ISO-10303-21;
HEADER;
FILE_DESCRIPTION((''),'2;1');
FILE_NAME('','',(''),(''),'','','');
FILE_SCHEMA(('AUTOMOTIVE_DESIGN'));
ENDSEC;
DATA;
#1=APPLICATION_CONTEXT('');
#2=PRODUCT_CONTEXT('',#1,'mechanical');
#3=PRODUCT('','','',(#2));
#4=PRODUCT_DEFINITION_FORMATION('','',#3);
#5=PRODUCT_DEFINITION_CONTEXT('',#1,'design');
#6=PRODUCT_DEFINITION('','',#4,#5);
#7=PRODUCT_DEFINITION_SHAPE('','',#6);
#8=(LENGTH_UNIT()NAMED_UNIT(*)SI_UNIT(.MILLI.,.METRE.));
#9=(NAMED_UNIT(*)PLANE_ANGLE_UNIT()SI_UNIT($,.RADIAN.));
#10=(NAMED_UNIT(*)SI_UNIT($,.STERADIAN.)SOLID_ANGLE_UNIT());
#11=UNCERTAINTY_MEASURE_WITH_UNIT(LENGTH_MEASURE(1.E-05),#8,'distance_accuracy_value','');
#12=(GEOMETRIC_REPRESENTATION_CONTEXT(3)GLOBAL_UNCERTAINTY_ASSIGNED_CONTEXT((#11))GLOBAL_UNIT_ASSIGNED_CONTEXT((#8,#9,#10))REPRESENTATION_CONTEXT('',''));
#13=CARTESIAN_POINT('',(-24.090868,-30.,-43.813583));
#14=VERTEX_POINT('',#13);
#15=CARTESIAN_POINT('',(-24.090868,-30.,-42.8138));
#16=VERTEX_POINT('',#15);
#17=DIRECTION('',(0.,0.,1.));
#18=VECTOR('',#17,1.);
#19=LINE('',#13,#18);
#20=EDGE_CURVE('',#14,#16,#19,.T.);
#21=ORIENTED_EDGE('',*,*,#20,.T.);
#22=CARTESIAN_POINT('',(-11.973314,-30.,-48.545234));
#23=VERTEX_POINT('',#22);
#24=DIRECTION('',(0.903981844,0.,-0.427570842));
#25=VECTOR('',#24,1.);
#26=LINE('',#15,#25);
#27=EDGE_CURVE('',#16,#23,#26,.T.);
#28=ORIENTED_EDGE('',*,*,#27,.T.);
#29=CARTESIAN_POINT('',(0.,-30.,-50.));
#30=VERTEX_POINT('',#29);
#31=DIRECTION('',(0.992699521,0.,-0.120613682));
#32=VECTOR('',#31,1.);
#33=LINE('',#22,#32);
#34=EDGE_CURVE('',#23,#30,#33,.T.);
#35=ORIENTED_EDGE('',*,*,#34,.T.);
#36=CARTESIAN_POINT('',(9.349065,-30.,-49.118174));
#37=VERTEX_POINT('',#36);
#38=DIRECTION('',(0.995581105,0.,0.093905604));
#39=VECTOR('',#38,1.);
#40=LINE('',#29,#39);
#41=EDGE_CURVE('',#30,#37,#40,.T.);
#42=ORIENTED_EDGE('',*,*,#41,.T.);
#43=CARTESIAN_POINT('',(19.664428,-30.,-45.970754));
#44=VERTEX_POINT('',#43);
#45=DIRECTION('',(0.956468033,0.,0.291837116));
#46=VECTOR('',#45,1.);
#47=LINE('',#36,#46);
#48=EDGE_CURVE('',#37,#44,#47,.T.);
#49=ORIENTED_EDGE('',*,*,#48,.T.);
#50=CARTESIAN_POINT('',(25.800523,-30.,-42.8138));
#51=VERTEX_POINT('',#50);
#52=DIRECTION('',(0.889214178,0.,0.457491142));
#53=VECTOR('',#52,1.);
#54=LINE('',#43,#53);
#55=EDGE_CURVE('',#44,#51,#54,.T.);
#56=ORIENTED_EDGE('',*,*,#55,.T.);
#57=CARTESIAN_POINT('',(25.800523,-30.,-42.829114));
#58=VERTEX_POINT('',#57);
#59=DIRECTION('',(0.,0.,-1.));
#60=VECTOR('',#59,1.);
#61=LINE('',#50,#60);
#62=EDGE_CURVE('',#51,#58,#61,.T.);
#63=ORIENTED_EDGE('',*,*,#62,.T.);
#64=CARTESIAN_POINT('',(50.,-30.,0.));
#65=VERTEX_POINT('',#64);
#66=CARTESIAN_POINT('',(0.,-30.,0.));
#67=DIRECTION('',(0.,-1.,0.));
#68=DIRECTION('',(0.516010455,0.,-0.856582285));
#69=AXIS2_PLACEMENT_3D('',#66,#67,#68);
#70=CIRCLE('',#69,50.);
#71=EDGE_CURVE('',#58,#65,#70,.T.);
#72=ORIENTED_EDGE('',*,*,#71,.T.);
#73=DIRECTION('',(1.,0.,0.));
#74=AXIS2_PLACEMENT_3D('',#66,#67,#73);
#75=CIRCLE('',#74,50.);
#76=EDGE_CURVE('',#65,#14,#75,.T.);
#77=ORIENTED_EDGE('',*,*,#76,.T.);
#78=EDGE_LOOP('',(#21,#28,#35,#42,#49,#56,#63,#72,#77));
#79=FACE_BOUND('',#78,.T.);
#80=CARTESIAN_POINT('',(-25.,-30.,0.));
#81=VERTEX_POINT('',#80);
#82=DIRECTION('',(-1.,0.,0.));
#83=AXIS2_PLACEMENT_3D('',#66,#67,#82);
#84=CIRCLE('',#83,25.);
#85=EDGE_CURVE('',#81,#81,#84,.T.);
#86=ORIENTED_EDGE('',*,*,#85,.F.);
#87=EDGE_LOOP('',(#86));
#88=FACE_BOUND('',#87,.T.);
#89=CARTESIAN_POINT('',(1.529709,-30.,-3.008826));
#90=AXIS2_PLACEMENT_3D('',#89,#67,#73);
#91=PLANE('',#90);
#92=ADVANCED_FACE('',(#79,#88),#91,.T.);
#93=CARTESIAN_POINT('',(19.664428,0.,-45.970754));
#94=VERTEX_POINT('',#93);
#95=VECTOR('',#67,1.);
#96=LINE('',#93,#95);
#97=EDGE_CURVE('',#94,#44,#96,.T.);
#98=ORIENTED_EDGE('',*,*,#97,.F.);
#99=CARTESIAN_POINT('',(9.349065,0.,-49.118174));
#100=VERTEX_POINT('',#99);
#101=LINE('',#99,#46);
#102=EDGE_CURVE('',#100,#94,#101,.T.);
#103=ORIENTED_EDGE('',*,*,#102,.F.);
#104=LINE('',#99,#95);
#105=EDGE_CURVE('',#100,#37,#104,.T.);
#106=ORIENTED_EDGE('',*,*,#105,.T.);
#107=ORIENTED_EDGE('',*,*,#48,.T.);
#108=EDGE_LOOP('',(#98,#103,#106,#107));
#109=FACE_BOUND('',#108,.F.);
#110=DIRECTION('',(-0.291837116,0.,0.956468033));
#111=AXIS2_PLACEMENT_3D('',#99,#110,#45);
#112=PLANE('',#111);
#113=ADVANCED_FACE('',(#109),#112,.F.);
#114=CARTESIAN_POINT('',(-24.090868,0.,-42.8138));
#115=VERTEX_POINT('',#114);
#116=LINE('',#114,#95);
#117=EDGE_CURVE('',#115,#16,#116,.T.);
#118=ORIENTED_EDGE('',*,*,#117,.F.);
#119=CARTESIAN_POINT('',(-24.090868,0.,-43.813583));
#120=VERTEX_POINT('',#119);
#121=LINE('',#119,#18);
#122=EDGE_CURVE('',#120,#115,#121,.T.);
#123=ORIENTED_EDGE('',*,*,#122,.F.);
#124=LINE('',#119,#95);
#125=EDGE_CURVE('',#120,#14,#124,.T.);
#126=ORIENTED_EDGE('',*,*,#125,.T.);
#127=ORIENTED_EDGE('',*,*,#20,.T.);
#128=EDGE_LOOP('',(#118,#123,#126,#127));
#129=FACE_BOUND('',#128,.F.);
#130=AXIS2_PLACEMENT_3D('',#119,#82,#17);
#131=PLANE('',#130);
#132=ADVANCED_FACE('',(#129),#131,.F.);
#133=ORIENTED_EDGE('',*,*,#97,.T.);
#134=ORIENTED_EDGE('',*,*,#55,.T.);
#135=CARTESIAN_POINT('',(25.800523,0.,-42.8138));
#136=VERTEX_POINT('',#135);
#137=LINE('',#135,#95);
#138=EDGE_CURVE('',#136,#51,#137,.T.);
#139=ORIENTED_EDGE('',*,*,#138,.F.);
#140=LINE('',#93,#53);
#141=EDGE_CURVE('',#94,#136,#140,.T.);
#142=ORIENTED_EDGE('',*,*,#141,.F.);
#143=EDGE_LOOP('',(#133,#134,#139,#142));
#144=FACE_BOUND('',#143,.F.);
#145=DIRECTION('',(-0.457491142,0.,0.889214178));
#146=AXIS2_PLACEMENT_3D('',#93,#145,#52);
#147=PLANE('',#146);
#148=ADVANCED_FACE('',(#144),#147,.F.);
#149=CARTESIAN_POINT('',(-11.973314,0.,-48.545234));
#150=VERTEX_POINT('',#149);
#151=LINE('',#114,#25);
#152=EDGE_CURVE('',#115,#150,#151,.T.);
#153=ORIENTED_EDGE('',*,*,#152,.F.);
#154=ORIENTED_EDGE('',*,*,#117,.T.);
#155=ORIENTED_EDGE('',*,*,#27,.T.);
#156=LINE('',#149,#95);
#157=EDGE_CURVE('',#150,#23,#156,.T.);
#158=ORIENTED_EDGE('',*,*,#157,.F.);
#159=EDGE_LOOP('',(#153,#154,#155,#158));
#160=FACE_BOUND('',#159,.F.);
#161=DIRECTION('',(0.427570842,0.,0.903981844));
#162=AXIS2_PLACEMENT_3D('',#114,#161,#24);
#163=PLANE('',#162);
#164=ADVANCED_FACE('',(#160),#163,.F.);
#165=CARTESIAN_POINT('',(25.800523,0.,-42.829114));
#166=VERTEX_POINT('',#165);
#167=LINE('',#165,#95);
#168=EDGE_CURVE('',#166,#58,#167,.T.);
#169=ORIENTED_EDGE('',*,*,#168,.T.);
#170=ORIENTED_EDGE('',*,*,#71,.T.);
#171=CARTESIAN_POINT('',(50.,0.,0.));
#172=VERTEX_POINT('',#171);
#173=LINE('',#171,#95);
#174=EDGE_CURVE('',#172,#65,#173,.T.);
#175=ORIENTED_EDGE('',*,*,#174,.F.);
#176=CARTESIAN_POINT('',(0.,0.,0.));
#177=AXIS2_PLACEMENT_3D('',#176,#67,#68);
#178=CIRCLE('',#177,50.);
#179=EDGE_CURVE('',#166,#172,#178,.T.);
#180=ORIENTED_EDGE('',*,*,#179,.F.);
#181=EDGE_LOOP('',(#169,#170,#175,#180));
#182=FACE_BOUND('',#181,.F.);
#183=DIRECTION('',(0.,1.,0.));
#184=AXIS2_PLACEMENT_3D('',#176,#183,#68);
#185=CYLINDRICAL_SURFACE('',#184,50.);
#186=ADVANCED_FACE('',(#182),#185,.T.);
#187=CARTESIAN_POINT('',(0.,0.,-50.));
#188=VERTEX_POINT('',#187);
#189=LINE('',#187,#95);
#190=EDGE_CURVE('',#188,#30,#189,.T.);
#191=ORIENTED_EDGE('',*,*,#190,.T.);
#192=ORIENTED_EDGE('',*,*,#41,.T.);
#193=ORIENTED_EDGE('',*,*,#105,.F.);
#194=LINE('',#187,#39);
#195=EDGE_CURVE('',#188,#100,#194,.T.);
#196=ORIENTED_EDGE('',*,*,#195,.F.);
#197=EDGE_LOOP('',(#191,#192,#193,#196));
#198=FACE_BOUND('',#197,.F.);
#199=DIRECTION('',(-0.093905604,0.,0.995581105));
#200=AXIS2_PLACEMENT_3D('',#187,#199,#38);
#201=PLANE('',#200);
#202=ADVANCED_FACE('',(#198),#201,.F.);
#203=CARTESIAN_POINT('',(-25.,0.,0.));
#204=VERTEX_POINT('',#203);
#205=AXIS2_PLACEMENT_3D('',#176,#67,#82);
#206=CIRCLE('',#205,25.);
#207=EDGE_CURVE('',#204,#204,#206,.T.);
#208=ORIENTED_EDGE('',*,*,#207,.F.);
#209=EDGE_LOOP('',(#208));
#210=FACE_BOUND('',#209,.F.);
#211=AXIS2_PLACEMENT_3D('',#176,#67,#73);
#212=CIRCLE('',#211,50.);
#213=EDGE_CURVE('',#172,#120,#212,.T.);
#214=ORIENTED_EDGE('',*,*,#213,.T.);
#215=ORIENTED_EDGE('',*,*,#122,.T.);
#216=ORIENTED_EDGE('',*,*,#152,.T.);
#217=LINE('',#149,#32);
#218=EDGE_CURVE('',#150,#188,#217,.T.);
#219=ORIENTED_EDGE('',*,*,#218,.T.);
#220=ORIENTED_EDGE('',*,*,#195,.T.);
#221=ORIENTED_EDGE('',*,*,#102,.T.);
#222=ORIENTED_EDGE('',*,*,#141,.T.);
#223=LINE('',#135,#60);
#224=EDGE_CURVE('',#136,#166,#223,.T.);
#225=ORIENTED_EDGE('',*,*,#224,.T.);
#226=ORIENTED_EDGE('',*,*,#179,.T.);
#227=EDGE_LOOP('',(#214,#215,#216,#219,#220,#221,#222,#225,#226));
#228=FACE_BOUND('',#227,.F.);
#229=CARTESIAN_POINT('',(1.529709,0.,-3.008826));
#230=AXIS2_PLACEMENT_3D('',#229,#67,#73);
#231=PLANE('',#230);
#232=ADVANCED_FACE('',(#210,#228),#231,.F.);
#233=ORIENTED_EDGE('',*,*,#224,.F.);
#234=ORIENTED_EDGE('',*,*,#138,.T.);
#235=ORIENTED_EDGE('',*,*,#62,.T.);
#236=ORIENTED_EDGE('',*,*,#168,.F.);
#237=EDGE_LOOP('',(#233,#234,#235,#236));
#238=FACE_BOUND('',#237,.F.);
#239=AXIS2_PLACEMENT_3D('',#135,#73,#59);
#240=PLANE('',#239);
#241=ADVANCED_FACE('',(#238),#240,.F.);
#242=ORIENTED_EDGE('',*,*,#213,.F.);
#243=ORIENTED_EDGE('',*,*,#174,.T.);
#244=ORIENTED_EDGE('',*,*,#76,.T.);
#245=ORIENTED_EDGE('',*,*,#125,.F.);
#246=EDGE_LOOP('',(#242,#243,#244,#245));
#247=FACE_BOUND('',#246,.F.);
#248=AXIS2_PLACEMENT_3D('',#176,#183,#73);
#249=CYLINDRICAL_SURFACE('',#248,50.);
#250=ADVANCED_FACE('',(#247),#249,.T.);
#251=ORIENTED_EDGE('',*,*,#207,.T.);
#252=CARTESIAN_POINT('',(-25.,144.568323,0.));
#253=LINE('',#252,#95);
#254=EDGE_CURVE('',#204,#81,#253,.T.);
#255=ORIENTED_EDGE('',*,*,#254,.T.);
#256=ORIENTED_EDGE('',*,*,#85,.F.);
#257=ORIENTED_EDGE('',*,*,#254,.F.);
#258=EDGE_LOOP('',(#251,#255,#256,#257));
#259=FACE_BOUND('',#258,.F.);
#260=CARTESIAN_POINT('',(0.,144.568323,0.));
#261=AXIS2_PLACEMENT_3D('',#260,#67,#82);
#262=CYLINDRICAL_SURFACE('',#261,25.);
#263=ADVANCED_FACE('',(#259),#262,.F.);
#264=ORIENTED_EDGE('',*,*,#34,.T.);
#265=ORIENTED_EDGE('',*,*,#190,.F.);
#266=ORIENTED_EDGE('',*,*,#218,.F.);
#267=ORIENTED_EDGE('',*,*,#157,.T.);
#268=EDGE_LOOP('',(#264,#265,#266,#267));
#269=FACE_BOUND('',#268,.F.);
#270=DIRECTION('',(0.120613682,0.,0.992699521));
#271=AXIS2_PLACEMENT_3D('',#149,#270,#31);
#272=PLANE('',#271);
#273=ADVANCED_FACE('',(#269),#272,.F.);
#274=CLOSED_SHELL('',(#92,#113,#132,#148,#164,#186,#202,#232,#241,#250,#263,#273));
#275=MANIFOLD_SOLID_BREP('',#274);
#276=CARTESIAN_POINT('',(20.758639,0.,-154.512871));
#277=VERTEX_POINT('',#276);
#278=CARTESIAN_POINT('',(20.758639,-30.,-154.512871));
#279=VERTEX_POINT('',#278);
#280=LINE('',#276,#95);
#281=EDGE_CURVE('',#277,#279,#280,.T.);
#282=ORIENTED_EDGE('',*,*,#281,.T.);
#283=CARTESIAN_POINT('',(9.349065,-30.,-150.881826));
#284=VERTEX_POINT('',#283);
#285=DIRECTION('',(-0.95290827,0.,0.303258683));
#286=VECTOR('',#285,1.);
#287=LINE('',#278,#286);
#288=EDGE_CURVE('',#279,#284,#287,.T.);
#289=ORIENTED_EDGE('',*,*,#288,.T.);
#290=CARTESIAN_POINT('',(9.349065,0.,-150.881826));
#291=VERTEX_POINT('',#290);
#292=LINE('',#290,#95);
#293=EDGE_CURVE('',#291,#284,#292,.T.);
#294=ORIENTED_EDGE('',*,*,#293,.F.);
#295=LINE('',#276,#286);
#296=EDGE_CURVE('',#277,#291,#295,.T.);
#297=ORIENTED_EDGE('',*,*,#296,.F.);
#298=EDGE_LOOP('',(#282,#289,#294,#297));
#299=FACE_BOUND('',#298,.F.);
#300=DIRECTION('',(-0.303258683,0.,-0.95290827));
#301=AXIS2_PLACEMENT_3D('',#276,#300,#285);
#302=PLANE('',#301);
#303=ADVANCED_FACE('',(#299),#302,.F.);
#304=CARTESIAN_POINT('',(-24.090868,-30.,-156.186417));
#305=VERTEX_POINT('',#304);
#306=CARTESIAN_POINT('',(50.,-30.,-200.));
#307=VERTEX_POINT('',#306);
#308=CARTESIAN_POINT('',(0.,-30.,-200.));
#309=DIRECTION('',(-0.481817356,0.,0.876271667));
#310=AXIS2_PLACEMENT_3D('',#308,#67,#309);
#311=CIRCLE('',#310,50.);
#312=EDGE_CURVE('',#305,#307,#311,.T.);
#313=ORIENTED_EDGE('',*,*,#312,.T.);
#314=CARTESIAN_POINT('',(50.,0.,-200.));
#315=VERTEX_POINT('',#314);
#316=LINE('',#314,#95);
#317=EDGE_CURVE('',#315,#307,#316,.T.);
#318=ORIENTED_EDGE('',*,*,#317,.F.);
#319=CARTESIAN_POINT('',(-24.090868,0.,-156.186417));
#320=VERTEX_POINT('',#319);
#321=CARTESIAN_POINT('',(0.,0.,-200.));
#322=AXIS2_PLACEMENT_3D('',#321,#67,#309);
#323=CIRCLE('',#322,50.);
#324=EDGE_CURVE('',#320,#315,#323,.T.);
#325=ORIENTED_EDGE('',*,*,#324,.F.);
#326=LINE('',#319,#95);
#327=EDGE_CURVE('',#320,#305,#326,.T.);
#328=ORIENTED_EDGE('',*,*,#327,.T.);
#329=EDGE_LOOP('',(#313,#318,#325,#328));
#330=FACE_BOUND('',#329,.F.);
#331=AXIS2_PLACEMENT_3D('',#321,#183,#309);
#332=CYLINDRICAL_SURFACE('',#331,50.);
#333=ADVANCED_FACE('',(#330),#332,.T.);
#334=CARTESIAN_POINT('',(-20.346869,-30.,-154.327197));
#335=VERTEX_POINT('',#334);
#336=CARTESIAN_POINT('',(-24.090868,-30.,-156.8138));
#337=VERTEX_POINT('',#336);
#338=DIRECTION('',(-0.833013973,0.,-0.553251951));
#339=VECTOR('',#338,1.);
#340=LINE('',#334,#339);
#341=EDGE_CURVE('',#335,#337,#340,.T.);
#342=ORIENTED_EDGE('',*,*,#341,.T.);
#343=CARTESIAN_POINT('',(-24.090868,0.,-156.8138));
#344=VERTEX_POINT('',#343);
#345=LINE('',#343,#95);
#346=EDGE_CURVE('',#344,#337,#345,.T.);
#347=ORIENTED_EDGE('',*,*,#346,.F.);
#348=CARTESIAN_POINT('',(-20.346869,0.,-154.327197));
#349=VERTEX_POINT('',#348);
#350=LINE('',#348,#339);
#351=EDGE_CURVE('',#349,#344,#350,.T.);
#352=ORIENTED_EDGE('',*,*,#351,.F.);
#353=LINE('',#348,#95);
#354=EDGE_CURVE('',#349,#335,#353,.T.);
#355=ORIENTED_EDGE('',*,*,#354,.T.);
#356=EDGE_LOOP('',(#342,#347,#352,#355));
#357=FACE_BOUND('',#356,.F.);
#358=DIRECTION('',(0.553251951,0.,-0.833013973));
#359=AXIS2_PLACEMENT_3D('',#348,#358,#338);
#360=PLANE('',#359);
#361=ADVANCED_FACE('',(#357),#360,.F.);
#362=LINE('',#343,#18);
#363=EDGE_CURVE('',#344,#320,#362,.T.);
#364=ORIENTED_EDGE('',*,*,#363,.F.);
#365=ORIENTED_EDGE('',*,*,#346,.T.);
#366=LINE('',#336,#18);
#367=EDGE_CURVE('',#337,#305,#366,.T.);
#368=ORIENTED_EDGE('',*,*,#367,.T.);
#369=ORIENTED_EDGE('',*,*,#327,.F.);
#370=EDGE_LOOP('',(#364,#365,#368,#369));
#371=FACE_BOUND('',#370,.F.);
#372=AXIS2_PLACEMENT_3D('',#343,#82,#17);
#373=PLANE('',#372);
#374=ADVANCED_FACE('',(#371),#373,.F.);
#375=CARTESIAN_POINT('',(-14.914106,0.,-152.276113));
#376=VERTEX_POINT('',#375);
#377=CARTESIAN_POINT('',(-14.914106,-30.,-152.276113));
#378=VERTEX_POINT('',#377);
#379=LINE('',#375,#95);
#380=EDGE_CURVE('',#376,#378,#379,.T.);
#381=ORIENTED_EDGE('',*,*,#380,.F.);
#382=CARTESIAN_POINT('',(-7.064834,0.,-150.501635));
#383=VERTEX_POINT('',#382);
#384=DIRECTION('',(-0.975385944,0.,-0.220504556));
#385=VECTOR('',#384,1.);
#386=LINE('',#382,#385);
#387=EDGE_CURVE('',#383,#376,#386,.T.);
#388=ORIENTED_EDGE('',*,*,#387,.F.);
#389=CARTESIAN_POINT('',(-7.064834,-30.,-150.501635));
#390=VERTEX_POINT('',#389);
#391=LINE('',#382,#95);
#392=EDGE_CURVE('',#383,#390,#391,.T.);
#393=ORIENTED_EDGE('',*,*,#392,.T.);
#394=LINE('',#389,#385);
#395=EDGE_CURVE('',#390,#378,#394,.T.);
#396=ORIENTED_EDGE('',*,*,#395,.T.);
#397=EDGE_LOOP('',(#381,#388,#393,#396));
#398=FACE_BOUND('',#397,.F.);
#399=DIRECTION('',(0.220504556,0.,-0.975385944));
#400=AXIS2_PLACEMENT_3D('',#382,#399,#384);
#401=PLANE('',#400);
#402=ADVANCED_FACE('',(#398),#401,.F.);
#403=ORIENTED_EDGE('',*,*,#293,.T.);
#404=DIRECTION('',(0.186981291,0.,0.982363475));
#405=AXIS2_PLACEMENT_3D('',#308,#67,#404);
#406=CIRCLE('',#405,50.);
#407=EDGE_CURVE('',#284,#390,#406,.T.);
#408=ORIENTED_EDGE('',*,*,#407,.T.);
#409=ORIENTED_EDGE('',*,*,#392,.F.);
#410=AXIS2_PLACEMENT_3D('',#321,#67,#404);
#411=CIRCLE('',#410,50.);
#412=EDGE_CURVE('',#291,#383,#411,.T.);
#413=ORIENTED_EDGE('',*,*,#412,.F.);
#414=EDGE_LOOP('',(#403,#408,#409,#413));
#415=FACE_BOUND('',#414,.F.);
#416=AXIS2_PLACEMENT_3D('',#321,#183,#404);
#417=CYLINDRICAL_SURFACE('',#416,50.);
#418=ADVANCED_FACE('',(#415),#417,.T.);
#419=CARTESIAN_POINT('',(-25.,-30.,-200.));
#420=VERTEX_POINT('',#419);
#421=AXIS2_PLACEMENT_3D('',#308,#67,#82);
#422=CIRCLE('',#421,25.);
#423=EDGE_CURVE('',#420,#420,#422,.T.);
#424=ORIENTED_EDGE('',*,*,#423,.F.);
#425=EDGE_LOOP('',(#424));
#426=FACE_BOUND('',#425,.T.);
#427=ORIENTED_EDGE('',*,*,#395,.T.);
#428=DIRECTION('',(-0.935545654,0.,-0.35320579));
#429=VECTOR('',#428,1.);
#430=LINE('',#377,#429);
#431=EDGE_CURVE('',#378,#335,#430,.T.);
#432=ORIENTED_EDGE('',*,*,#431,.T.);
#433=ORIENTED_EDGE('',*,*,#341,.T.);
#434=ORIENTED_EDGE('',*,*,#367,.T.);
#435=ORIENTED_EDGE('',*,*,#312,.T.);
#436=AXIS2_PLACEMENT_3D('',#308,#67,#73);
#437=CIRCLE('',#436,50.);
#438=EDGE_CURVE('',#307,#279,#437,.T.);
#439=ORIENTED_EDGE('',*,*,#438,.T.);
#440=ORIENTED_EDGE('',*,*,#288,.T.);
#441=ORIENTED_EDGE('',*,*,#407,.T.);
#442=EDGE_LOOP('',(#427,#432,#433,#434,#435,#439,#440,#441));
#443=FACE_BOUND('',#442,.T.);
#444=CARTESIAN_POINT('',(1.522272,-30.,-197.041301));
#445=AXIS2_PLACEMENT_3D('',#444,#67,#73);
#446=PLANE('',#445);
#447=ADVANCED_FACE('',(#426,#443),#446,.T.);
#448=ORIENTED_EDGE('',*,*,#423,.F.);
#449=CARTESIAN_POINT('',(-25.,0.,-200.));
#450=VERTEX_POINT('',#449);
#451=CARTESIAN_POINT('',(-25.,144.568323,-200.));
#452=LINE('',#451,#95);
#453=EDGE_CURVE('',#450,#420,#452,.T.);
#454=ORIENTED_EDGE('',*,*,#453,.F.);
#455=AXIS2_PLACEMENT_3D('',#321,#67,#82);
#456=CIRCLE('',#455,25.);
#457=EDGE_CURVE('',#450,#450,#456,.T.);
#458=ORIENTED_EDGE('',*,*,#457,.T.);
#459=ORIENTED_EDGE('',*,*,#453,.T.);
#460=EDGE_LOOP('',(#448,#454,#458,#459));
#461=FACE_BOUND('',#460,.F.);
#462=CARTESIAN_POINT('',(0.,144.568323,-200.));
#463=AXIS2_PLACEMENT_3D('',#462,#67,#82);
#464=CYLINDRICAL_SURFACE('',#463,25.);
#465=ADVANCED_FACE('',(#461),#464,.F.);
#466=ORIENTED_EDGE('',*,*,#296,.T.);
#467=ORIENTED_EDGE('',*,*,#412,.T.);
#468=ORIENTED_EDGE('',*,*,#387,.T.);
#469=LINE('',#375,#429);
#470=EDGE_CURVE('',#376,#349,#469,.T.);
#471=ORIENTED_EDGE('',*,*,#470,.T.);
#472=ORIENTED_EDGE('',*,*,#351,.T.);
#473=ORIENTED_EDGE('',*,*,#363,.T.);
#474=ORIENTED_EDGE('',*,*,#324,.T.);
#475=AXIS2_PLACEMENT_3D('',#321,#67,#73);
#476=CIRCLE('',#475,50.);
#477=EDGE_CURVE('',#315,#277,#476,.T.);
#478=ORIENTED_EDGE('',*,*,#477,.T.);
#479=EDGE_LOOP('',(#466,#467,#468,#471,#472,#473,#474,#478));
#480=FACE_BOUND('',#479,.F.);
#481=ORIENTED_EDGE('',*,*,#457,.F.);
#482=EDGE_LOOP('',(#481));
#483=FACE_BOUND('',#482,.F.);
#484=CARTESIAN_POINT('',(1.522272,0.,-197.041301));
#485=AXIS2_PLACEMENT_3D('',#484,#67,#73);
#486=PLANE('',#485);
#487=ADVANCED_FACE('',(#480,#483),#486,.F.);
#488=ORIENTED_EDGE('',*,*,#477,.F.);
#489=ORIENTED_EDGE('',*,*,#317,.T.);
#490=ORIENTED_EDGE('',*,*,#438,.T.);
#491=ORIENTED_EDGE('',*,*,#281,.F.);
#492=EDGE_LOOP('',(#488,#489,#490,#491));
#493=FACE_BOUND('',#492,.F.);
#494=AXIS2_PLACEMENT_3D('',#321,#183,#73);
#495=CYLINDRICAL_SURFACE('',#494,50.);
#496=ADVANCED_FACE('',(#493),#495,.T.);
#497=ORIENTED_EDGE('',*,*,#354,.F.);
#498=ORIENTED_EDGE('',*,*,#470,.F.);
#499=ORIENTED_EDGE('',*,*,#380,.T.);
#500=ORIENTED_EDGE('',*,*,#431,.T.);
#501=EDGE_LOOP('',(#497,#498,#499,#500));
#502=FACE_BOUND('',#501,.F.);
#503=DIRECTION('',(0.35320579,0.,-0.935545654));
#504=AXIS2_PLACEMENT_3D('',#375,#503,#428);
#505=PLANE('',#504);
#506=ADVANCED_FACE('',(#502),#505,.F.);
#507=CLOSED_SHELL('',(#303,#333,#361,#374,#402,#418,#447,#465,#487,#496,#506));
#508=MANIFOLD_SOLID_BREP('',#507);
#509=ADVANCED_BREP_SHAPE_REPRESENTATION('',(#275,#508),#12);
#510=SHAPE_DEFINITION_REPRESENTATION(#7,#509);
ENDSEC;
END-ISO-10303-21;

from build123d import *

# Parameters (mm, degrees)
F3_DEPTH = 30
F4_D     = 50
F4_2_D   = 50


with BuildPart() as f3:
    # F2 (on Front) → F3 (new body)
    with BuildSketch(Plane.XZ):
        with BuildLine():
            Line((-24.0908678128, -156.8137997318), (-24.0908678128, -156.1864166265))
            ThreePointArc((-24.0908678128, -156.1864166265), (-25.4505069631, -243.038026155), (50, -200))
            ThreePointArc((50, -200), (42.0590771407, -172.9623590142), (20.7586387969, -154.5128708831))
            Line((20.7586387969, -154.5128708831), (9.349064553, -150.8818262556))
            ThreePointArc((9.349064553, -150.8818262556), (1.1578270349, -150.013407432), (-7.0648341513, -150.5016351945))
            Line((-7.0648341513, -150.5016351945), (-14.9141062981, -152.2761125501))
            Line((-14.9141062981, -152.2761125501), (-20.3468686493, -154.3271969749))
            Line((-20.3468686493, -154.3271969749), (-24.0908678128, -156.8137997318))
        make_face()
    extrude(amount=F3_DEPTH)

    # F4 (through all)
    with Locations(Plane(origin=(0, 0, 0), x_dir=(1, 0, 0), z_dir=(0, 1, 0))):
        with Locations((0, 0), (0, 200)):
            Hole(F4_D / 2)


with BuildPart() as f3b:
    # F2 (on Front) → F3, piece 2 (new body)
    with BuildSketch(Plane.XZ):
        with BuildLine():
            Line((-24.0908678128, -42.8137997318), (-11.9733144536, -48.5452339679))
            Line((-11.9733144536, -48.5452339679), (0, -50))
            Line((0, -50), (9.349064553, -49.1181737444))
            Line((9.349064553, -49.1181737444), (19.6644283734, -45.9707543635))
            Line((19.6644283734, -45.9707543635), (25.8005227401, -42.8137997318))
            Line((25.8005227401, -42.8137997318), (25.8005227401, -42.8291142371))
            ThreePointArc((25.8005227401, -42.8291142371), (43.5317478227, -24.596482096), (50, 0))
            ThreePointArc((50, 0), (-25.4505069631, 43.038026155), (-24.0908678128, -43.8135833735))
            Line((-24.0908678128, -43.8135833735), (-24.0908678128, -42.8137997318))
        make_face()
    extrude(amount=F3_DEPTH)

    # F4#2 (through all)
    with Locations(Plane(origin=(0, 0, 0), x_dir=(1, 0, 0), z_dir=(0, 1, 0))):
        with Locations((0, 0), (0, 200)):
            Hole(F4_2_D / 2)


solid = Compound([f3.part, f3b.part])
